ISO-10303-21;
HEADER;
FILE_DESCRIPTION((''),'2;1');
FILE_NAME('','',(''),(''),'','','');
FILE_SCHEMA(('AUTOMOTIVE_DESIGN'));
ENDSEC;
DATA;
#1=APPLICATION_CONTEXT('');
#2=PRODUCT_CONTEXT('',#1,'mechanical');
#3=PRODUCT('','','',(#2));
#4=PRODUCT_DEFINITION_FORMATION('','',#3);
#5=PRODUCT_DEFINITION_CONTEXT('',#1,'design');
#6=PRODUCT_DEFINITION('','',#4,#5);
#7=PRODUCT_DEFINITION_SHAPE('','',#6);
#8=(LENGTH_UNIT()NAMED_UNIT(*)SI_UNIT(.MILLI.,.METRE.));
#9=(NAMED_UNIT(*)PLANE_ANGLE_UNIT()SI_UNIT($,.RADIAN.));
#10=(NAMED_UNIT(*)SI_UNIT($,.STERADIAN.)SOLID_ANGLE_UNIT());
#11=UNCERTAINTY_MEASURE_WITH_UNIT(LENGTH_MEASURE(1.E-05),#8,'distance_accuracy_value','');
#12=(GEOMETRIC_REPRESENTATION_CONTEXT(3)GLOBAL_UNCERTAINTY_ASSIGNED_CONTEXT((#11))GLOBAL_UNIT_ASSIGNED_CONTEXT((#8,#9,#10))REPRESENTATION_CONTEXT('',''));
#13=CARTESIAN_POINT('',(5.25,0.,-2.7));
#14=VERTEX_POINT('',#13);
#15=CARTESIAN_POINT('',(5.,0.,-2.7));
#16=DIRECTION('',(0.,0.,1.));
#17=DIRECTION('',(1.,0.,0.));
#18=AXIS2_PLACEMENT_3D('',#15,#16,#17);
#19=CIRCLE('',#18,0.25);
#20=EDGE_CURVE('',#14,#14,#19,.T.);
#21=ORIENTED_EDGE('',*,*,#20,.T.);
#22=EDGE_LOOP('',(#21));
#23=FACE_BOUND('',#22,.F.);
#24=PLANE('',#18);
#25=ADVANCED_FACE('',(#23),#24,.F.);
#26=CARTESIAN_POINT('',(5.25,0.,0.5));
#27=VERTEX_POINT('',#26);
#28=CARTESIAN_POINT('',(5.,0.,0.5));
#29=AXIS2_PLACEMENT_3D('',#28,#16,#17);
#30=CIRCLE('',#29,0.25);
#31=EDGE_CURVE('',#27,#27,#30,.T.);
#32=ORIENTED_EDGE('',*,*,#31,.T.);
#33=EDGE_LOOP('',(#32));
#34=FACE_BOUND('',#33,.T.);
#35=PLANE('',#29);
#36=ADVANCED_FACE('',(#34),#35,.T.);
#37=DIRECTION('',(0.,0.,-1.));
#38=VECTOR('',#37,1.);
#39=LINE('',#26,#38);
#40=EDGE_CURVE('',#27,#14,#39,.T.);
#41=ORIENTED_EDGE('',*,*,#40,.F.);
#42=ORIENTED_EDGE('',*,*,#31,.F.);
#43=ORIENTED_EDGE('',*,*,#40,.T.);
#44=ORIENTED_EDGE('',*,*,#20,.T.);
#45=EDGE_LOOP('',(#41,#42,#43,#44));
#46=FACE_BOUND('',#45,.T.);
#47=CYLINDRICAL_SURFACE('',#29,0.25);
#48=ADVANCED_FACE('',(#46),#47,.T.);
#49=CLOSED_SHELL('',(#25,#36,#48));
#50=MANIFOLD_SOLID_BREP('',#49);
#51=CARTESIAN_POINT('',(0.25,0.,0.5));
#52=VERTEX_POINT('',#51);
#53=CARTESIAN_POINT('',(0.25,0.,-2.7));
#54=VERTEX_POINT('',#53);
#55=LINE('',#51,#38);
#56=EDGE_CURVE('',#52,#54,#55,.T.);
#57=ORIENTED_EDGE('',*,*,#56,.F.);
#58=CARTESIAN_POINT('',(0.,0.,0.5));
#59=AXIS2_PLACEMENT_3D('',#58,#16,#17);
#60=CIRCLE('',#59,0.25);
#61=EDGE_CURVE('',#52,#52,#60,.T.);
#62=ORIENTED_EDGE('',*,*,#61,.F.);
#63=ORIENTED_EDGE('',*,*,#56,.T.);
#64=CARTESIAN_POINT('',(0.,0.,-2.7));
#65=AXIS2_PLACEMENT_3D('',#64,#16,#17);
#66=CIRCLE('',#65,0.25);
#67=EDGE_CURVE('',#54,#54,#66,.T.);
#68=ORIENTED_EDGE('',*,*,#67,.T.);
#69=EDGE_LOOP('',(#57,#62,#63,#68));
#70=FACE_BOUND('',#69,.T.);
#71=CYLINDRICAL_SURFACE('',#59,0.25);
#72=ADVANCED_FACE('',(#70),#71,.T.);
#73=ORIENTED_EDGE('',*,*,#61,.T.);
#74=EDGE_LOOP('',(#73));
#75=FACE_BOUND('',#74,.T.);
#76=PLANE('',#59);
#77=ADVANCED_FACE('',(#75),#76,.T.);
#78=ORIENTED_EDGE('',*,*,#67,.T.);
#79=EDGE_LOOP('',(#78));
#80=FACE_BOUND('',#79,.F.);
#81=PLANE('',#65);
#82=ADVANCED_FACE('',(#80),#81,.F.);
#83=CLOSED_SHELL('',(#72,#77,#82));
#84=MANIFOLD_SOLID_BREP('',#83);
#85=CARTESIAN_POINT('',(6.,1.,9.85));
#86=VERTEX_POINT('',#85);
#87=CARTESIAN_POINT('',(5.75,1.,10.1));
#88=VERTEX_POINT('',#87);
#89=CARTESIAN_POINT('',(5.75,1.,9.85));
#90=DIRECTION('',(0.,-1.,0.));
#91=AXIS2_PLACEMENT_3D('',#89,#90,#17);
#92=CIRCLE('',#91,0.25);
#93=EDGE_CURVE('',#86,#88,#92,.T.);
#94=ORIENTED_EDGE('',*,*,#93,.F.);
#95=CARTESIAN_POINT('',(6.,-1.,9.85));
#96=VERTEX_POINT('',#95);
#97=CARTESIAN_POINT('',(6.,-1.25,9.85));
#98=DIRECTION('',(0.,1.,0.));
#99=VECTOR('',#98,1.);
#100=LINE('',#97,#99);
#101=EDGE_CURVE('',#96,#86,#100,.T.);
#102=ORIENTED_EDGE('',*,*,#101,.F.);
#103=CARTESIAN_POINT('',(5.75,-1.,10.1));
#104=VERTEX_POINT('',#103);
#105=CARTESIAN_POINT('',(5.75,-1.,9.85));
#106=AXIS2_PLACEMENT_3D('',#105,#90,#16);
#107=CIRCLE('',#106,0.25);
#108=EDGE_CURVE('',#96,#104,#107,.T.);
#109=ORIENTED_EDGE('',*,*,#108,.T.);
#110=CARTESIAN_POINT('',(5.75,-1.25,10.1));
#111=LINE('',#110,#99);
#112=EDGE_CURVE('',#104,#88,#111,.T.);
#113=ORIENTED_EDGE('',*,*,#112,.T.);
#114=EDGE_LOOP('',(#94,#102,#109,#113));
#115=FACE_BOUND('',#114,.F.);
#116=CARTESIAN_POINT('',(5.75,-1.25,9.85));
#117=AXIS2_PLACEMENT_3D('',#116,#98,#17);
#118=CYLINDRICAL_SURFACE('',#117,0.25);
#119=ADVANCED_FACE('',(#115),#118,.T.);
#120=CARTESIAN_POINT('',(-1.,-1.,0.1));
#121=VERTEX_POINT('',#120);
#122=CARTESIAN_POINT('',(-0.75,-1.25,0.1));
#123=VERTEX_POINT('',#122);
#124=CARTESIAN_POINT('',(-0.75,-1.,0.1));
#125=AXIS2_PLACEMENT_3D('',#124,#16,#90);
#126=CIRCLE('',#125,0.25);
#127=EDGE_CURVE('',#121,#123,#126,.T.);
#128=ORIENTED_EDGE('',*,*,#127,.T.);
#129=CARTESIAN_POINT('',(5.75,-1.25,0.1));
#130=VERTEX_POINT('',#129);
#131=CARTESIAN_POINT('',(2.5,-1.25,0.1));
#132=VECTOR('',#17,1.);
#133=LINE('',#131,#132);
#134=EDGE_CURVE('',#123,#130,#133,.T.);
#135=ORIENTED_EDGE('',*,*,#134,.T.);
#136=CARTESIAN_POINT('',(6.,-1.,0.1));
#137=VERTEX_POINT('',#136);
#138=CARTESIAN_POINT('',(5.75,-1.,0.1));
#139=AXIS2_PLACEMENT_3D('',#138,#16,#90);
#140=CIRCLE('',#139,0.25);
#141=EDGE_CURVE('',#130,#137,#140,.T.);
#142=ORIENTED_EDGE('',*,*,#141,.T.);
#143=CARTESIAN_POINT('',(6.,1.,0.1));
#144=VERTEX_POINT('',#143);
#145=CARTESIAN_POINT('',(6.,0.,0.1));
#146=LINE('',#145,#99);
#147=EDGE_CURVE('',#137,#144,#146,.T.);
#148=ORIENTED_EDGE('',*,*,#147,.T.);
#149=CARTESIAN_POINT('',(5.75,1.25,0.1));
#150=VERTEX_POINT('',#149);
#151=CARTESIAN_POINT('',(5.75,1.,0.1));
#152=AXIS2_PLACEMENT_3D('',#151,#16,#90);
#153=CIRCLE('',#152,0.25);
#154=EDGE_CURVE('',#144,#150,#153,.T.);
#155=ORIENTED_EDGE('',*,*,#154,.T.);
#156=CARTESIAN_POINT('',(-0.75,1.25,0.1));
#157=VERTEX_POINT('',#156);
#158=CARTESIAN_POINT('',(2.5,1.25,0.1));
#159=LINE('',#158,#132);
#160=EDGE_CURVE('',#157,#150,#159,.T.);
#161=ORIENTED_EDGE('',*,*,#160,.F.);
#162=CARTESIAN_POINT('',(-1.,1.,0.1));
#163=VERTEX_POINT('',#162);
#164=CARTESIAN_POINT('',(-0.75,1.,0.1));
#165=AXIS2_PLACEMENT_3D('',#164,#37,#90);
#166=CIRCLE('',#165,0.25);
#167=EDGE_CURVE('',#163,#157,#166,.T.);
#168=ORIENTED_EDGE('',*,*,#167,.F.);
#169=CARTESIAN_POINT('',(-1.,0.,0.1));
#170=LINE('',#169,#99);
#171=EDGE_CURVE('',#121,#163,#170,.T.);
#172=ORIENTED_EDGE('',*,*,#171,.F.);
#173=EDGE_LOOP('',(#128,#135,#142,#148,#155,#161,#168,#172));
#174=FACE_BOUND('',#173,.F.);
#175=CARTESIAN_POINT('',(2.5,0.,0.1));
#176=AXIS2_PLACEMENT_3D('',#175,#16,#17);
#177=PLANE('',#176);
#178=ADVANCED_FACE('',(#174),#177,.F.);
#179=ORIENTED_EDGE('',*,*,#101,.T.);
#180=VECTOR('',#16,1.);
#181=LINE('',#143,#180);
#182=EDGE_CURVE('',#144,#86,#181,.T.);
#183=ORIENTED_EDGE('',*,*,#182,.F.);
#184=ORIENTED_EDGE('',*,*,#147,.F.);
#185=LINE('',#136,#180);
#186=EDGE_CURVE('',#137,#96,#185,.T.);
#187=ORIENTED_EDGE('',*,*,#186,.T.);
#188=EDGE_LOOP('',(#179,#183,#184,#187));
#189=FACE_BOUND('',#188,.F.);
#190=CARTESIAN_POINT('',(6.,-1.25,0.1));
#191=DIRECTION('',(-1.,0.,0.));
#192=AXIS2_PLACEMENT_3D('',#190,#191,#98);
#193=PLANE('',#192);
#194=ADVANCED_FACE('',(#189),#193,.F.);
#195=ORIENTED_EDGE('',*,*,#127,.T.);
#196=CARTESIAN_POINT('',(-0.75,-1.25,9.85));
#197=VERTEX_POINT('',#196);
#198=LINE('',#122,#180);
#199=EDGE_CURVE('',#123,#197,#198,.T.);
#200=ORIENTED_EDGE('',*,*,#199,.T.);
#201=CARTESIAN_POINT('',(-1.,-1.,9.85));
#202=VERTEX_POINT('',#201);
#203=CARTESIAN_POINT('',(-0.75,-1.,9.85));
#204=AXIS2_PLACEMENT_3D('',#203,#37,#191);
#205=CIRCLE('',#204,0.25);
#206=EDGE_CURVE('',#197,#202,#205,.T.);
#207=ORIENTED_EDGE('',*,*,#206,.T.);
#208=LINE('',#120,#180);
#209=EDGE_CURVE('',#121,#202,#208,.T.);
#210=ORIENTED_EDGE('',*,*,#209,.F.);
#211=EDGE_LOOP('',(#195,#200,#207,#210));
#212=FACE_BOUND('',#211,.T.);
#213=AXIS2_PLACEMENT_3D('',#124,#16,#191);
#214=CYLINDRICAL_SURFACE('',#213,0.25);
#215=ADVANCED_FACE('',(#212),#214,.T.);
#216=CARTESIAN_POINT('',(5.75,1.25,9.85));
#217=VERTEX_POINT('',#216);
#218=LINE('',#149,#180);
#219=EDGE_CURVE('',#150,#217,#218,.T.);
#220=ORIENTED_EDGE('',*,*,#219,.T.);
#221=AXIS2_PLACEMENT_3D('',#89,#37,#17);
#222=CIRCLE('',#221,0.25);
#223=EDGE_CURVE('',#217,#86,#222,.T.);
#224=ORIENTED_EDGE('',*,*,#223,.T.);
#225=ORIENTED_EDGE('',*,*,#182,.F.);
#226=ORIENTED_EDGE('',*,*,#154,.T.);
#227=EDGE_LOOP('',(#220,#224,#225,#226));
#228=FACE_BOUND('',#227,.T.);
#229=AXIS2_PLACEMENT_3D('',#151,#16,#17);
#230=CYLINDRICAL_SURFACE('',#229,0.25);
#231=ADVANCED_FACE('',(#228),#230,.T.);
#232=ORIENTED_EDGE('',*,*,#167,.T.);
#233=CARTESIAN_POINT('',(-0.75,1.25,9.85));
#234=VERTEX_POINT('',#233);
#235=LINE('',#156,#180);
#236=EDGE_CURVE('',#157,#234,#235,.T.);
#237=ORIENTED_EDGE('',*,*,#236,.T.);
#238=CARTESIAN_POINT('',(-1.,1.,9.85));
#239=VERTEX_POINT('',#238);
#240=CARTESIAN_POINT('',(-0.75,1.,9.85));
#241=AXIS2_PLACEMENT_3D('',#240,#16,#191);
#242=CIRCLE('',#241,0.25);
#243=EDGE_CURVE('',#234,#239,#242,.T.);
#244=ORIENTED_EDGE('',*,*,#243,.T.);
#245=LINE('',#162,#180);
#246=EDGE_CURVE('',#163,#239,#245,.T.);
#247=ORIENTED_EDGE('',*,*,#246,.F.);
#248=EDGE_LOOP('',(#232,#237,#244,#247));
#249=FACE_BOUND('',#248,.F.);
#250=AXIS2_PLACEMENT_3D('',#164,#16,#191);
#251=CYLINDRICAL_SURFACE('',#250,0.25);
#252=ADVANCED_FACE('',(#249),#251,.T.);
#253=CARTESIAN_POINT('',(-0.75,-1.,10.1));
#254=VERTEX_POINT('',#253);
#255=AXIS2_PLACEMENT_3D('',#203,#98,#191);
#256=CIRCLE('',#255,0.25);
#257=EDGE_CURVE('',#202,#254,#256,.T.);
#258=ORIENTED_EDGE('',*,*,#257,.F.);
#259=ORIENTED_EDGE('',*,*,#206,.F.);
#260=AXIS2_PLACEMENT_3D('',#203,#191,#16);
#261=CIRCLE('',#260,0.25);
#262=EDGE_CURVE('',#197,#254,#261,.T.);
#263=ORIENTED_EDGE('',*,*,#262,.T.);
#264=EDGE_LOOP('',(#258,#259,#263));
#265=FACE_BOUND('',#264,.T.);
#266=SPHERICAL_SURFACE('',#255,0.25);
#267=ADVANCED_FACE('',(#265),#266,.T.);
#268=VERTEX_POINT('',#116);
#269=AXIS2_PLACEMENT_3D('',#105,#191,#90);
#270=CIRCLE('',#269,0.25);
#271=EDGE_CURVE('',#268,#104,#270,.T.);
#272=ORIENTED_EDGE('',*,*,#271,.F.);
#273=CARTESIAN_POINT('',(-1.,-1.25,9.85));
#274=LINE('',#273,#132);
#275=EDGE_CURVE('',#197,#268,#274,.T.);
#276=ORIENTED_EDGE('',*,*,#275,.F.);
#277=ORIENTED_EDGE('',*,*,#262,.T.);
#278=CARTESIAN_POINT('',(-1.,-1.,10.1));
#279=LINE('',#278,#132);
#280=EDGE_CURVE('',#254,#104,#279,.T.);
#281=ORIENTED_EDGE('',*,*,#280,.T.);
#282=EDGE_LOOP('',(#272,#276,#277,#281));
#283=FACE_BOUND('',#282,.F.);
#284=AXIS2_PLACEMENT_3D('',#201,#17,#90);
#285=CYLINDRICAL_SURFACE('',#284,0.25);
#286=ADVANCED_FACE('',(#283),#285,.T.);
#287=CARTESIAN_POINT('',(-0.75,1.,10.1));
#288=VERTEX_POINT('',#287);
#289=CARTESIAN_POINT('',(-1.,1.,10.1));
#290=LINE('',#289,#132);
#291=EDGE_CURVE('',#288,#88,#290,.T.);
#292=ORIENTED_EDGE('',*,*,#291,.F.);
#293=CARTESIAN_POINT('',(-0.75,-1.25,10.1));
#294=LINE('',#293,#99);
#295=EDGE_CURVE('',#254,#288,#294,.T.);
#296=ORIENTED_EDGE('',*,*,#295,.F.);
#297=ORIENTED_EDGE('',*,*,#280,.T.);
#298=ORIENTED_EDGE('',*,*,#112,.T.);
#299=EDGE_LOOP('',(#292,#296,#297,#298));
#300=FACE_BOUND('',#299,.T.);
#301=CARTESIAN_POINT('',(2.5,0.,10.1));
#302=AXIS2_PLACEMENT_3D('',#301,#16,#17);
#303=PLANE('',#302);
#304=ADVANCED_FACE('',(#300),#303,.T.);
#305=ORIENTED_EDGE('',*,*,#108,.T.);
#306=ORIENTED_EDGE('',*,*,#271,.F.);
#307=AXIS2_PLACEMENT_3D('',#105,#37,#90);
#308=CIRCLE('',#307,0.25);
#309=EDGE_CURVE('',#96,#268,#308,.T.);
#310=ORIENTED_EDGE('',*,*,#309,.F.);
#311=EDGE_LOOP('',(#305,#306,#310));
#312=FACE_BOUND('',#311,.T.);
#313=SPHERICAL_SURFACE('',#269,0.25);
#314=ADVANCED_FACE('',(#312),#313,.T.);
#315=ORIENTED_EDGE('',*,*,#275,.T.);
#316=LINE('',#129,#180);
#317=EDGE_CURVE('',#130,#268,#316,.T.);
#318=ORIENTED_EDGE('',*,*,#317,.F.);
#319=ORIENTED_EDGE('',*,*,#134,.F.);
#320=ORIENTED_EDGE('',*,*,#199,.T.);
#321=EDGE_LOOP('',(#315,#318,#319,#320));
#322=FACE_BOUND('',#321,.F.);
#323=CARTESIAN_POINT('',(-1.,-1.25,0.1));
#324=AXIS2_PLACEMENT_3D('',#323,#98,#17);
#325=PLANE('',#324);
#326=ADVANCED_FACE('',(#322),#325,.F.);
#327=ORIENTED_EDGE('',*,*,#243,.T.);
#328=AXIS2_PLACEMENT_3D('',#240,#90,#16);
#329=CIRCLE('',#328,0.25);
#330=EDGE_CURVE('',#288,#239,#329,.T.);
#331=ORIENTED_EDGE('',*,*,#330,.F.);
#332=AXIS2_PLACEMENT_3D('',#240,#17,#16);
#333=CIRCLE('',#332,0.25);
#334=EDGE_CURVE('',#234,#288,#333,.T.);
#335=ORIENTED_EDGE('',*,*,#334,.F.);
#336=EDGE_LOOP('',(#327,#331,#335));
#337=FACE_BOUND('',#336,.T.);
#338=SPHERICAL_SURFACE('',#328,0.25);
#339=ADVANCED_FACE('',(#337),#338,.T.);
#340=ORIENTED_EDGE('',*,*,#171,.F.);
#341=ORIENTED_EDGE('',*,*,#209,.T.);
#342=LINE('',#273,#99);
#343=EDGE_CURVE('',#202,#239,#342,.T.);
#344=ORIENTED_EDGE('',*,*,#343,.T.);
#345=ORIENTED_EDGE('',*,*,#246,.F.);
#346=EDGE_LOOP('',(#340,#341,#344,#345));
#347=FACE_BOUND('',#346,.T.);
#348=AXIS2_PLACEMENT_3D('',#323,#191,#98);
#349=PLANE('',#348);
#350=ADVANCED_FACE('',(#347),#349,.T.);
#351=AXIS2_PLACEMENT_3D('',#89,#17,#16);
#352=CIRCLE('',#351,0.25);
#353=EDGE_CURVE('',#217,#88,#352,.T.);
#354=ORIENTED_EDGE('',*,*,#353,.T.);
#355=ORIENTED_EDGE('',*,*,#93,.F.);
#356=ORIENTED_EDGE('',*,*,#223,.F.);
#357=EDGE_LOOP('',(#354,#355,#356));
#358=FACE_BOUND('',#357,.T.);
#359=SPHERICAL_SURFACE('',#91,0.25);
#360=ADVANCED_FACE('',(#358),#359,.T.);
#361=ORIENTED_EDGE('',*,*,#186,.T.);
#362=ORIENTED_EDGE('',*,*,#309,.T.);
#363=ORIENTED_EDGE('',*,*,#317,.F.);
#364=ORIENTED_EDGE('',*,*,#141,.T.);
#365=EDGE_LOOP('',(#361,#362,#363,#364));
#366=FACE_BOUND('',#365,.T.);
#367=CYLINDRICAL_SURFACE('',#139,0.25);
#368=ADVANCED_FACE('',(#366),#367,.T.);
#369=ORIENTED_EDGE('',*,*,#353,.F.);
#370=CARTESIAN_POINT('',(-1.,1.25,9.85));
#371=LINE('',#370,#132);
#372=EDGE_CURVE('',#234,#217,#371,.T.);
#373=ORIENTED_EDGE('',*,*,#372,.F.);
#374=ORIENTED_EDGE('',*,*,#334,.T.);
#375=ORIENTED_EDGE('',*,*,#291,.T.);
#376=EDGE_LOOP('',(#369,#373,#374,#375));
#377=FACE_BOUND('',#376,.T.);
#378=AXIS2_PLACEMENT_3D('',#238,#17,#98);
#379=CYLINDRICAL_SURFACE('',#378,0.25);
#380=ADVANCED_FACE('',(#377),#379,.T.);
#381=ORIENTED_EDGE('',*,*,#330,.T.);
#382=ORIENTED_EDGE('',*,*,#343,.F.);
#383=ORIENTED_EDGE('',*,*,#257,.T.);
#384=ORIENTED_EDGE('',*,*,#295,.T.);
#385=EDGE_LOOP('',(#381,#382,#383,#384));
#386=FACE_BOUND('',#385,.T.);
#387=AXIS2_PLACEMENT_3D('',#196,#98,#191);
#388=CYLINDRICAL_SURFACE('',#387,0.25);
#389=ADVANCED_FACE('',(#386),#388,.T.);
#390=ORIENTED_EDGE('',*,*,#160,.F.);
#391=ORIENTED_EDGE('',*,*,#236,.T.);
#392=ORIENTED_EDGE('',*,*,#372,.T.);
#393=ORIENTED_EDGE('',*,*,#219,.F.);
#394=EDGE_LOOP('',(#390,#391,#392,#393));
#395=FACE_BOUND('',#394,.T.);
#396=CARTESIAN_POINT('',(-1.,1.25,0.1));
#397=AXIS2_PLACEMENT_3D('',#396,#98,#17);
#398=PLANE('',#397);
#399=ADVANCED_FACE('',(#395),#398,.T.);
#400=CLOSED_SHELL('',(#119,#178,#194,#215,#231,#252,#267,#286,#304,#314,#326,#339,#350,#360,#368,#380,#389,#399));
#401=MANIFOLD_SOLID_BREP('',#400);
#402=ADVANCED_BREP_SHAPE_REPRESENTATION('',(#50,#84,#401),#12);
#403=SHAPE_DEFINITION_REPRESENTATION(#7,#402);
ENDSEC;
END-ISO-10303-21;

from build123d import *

# Parameters (mm, degrees)
SKETCH_W     = 7
SKETCH_H     = 2.5
PAD_DEPTH    = 10
FILLET_R     = 0.25
SKETCH001_R  = 0.25
PAD001_DEPTH = 3.2


with BuildPart() as fillet_body:
    # Sketch → Pad (new body)
    with BuildSketch(Plane.XY.offset(0.1)):
        with Locations((2.5, 0)):
            Rectangle(SKETCH_W, SKETCH_H)
    extrude(amount=PAD_DEPTH)

    # Fillet
    fillet_edges = [fillet_body.edges().sort_by_distance(p)[0] for p in [
        (-1, 0, 10.1),
        (-1, -1.25, 5.1),
        (2.5, -1.25, 10.1),
        (6, -1.25, 5.1),
        (6, 0, 10.1),
        (6, 1.25, 5.1),
        (2.5, 1.25, 10.1),
        (-1, 1.25, 5.1),
    ]]
    fillet(fillet_edges, radius=FILLET_R)


with BuildPart() as pad001:
    # Sketch001 → Pad001 (new body)
    with BuildSketch(Plane.XY.offset(0.5)):
        Circle(SKETCH001_R)
        with Locations((5, 0)):
            Circle(SKETCH001_R)
    extrude(amount=-PAD001_DEPTH)


solid = Compound([fillet_body.part, pad001.part])
